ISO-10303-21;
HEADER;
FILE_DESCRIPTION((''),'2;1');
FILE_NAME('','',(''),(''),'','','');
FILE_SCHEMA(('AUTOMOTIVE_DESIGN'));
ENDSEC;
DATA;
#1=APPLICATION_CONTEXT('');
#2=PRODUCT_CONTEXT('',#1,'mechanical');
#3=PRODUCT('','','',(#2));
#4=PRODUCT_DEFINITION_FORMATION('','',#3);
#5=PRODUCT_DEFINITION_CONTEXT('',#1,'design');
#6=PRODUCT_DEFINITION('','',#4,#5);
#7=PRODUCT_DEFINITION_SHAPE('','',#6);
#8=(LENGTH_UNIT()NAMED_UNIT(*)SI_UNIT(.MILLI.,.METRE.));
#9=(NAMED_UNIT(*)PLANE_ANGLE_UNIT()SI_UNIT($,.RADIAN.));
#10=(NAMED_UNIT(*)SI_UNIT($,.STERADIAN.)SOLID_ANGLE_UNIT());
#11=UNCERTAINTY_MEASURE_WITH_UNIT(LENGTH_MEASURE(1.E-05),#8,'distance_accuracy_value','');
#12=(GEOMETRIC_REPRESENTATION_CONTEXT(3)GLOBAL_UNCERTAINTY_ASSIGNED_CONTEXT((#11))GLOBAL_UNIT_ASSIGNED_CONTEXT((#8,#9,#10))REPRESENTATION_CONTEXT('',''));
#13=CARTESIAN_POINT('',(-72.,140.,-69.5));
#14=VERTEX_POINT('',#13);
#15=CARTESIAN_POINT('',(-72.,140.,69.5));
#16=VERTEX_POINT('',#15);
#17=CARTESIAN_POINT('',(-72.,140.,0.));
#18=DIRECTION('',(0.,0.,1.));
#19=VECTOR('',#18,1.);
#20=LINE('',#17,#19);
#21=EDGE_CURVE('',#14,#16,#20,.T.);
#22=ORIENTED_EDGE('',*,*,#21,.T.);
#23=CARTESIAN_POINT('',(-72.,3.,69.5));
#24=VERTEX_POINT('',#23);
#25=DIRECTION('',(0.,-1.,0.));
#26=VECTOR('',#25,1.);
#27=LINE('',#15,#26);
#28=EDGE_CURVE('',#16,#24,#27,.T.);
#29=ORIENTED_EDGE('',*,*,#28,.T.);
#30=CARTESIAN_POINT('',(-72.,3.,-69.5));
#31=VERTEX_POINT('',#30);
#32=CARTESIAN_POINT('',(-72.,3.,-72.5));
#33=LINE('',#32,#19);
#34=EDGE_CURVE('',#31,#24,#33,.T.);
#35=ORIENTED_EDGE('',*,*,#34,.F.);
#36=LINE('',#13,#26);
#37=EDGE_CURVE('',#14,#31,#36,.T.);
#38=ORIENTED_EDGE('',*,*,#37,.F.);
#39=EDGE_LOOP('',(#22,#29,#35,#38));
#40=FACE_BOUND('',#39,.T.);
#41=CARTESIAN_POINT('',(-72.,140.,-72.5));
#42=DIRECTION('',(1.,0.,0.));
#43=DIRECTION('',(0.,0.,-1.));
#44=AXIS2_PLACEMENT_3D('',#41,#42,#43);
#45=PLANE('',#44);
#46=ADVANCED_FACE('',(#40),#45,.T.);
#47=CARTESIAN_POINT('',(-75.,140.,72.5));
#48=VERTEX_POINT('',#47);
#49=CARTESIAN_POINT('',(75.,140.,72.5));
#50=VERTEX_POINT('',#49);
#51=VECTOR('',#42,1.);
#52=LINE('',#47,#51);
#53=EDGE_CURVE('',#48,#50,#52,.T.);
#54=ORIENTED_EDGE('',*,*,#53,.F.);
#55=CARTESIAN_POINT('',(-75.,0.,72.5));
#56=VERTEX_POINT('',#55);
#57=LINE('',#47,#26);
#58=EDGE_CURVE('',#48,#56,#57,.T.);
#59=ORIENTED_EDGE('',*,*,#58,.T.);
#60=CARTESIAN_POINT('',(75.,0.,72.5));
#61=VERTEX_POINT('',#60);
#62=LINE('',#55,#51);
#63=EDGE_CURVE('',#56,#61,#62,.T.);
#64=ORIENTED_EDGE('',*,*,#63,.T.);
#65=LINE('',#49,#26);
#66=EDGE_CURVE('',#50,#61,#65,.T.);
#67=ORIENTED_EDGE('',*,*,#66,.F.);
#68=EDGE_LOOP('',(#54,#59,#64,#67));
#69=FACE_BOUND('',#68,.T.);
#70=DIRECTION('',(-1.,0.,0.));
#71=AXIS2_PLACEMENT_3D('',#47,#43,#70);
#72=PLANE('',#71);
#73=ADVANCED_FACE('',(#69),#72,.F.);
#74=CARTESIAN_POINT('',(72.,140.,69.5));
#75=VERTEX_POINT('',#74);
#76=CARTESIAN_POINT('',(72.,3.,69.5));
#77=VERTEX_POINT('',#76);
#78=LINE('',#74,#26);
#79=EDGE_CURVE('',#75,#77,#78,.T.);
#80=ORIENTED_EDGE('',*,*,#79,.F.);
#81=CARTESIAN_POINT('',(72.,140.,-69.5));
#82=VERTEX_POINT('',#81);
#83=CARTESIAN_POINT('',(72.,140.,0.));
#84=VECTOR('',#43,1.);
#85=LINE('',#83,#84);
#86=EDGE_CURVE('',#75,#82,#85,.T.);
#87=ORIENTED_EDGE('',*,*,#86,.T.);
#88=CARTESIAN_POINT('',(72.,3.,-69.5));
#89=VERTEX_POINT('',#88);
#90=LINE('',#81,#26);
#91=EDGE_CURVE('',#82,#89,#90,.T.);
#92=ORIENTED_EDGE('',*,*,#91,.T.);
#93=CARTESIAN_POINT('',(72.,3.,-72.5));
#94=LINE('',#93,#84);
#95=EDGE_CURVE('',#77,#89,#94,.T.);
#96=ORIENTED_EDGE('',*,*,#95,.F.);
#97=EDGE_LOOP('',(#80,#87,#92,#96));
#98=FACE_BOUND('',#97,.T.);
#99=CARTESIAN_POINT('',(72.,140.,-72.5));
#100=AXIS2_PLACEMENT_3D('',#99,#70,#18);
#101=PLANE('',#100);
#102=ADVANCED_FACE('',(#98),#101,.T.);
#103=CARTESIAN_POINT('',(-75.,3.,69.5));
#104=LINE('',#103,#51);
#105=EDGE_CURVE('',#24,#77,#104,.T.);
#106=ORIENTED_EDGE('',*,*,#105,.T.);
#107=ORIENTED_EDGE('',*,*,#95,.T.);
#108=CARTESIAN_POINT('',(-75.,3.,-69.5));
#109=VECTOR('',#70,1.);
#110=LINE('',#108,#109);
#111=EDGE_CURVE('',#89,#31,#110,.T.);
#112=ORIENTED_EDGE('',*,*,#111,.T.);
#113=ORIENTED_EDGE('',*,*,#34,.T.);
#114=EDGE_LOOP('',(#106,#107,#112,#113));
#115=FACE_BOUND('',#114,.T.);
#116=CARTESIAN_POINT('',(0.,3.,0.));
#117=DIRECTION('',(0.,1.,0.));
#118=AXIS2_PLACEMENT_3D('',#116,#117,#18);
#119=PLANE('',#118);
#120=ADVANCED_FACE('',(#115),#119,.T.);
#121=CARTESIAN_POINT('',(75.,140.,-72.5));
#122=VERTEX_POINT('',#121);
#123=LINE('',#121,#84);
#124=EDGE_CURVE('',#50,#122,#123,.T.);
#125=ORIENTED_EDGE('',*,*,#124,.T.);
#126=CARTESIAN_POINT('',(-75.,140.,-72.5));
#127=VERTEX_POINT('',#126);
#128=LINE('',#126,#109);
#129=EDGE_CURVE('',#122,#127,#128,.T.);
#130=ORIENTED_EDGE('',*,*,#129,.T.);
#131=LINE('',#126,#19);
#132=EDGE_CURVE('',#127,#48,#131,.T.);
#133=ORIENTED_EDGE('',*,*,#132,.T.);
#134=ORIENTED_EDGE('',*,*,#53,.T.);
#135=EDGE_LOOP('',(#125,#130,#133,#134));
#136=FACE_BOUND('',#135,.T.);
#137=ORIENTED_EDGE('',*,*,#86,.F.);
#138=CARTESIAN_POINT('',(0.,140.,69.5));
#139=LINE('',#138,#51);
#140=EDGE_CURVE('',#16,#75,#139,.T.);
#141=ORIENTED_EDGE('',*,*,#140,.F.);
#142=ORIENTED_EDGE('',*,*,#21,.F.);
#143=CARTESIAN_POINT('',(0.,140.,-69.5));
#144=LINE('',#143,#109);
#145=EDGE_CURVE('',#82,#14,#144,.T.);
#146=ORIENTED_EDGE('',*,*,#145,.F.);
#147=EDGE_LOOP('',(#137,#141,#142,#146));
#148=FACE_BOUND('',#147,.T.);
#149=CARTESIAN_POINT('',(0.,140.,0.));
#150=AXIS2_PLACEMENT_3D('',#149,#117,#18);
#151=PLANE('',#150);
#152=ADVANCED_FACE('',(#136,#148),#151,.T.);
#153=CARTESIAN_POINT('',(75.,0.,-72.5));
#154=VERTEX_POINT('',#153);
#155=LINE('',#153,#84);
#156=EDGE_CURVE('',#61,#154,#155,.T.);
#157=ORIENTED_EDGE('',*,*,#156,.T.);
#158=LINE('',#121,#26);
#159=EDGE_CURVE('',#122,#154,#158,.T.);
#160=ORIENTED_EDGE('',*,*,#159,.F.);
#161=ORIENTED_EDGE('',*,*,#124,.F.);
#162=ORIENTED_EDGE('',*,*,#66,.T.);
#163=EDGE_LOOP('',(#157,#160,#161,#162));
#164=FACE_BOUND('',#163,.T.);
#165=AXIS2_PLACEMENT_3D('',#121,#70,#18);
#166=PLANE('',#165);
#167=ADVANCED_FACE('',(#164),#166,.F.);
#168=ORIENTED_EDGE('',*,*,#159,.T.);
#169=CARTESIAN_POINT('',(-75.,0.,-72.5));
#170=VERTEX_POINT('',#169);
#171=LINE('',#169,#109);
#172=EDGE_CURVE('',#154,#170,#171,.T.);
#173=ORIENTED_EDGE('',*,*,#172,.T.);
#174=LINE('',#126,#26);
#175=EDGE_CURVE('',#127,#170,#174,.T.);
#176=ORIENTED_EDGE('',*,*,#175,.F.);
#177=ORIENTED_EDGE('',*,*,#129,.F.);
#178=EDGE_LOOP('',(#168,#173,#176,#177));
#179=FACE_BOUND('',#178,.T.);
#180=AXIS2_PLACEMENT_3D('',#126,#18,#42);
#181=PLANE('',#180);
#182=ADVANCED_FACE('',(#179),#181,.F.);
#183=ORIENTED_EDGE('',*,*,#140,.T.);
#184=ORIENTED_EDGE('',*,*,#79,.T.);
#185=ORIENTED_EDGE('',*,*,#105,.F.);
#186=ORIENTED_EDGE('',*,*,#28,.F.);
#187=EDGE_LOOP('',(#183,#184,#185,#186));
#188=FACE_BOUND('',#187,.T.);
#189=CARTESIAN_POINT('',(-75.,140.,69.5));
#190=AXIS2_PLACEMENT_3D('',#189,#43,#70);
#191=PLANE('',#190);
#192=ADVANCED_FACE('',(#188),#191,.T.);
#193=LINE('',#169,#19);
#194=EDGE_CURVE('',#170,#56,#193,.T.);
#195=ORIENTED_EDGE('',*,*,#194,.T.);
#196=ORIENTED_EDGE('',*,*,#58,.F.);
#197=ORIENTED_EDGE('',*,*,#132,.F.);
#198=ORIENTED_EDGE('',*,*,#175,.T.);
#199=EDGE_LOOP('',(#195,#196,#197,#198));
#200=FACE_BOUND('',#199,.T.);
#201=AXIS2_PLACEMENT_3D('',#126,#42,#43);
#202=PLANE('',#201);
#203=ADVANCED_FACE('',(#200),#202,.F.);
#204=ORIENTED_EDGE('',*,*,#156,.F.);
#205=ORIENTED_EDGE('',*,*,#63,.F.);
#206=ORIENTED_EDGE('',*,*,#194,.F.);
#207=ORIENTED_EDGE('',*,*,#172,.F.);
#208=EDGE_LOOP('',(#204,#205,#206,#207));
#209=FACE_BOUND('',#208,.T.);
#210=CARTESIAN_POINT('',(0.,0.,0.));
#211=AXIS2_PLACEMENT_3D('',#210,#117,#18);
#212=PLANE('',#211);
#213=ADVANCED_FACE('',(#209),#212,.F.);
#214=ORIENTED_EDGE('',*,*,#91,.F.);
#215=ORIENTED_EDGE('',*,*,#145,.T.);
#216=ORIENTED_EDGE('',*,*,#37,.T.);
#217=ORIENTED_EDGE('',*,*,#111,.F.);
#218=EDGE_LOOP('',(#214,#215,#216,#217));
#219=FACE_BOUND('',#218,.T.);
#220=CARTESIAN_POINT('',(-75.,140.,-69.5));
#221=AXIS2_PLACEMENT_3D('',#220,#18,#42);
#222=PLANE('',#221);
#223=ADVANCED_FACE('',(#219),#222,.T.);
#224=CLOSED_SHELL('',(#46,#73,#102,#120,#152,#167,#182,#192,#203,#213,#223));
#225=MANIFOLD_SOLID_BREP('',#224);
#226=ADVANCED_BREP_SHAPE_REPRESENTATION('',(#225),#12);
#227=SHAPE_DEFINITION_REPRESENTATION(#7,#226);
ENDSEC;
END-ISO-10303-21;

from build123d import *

# Parameters (mm, degrees)
SKETCH2_W           = 150
SKETCH2_H           = 145
BOSS_EXTRUDE2_DEPTH = 140
SHELL1_T            = 3
SKETCH4_W           = 144
SKETCH4_H           = 139
CUT_EXTRUDE3_DEPTH  = 5


with BuildPart() as part:
    # Sketch2 → Boss-Extrude2 (new body)
    with BuildSketch(Plane(origin=(0, 0, 0), x_dir=(1, 0, 0), z_dir=(0, 1, 0))):
        Rectangle(SKETCH2_W, SKETCH2_H)
    extrude(amount=BOSS_EXTRUDE2_DEPTH)

    # Shell1 (no face opened: a closed hollow body)
    add(offset(amount=-SHELL1_T, mode=Mode.PRIVATE), mode=Mode.SUBTRACT)

    # Sketch4 → Cut-Extrude3 (cut)
    with BuildSketch(Plane(origin=(0, 140, 0), x_dir=(1, 0, 0), z_dir=(0, 1, 0))):
        Rectangle(SKETCH4_W, SKETCH4_H)
    extrude(amount=-CUT_EXTRUDE3_DEPTH, mode=Mode.SUBTRACT)


solid = part.part
